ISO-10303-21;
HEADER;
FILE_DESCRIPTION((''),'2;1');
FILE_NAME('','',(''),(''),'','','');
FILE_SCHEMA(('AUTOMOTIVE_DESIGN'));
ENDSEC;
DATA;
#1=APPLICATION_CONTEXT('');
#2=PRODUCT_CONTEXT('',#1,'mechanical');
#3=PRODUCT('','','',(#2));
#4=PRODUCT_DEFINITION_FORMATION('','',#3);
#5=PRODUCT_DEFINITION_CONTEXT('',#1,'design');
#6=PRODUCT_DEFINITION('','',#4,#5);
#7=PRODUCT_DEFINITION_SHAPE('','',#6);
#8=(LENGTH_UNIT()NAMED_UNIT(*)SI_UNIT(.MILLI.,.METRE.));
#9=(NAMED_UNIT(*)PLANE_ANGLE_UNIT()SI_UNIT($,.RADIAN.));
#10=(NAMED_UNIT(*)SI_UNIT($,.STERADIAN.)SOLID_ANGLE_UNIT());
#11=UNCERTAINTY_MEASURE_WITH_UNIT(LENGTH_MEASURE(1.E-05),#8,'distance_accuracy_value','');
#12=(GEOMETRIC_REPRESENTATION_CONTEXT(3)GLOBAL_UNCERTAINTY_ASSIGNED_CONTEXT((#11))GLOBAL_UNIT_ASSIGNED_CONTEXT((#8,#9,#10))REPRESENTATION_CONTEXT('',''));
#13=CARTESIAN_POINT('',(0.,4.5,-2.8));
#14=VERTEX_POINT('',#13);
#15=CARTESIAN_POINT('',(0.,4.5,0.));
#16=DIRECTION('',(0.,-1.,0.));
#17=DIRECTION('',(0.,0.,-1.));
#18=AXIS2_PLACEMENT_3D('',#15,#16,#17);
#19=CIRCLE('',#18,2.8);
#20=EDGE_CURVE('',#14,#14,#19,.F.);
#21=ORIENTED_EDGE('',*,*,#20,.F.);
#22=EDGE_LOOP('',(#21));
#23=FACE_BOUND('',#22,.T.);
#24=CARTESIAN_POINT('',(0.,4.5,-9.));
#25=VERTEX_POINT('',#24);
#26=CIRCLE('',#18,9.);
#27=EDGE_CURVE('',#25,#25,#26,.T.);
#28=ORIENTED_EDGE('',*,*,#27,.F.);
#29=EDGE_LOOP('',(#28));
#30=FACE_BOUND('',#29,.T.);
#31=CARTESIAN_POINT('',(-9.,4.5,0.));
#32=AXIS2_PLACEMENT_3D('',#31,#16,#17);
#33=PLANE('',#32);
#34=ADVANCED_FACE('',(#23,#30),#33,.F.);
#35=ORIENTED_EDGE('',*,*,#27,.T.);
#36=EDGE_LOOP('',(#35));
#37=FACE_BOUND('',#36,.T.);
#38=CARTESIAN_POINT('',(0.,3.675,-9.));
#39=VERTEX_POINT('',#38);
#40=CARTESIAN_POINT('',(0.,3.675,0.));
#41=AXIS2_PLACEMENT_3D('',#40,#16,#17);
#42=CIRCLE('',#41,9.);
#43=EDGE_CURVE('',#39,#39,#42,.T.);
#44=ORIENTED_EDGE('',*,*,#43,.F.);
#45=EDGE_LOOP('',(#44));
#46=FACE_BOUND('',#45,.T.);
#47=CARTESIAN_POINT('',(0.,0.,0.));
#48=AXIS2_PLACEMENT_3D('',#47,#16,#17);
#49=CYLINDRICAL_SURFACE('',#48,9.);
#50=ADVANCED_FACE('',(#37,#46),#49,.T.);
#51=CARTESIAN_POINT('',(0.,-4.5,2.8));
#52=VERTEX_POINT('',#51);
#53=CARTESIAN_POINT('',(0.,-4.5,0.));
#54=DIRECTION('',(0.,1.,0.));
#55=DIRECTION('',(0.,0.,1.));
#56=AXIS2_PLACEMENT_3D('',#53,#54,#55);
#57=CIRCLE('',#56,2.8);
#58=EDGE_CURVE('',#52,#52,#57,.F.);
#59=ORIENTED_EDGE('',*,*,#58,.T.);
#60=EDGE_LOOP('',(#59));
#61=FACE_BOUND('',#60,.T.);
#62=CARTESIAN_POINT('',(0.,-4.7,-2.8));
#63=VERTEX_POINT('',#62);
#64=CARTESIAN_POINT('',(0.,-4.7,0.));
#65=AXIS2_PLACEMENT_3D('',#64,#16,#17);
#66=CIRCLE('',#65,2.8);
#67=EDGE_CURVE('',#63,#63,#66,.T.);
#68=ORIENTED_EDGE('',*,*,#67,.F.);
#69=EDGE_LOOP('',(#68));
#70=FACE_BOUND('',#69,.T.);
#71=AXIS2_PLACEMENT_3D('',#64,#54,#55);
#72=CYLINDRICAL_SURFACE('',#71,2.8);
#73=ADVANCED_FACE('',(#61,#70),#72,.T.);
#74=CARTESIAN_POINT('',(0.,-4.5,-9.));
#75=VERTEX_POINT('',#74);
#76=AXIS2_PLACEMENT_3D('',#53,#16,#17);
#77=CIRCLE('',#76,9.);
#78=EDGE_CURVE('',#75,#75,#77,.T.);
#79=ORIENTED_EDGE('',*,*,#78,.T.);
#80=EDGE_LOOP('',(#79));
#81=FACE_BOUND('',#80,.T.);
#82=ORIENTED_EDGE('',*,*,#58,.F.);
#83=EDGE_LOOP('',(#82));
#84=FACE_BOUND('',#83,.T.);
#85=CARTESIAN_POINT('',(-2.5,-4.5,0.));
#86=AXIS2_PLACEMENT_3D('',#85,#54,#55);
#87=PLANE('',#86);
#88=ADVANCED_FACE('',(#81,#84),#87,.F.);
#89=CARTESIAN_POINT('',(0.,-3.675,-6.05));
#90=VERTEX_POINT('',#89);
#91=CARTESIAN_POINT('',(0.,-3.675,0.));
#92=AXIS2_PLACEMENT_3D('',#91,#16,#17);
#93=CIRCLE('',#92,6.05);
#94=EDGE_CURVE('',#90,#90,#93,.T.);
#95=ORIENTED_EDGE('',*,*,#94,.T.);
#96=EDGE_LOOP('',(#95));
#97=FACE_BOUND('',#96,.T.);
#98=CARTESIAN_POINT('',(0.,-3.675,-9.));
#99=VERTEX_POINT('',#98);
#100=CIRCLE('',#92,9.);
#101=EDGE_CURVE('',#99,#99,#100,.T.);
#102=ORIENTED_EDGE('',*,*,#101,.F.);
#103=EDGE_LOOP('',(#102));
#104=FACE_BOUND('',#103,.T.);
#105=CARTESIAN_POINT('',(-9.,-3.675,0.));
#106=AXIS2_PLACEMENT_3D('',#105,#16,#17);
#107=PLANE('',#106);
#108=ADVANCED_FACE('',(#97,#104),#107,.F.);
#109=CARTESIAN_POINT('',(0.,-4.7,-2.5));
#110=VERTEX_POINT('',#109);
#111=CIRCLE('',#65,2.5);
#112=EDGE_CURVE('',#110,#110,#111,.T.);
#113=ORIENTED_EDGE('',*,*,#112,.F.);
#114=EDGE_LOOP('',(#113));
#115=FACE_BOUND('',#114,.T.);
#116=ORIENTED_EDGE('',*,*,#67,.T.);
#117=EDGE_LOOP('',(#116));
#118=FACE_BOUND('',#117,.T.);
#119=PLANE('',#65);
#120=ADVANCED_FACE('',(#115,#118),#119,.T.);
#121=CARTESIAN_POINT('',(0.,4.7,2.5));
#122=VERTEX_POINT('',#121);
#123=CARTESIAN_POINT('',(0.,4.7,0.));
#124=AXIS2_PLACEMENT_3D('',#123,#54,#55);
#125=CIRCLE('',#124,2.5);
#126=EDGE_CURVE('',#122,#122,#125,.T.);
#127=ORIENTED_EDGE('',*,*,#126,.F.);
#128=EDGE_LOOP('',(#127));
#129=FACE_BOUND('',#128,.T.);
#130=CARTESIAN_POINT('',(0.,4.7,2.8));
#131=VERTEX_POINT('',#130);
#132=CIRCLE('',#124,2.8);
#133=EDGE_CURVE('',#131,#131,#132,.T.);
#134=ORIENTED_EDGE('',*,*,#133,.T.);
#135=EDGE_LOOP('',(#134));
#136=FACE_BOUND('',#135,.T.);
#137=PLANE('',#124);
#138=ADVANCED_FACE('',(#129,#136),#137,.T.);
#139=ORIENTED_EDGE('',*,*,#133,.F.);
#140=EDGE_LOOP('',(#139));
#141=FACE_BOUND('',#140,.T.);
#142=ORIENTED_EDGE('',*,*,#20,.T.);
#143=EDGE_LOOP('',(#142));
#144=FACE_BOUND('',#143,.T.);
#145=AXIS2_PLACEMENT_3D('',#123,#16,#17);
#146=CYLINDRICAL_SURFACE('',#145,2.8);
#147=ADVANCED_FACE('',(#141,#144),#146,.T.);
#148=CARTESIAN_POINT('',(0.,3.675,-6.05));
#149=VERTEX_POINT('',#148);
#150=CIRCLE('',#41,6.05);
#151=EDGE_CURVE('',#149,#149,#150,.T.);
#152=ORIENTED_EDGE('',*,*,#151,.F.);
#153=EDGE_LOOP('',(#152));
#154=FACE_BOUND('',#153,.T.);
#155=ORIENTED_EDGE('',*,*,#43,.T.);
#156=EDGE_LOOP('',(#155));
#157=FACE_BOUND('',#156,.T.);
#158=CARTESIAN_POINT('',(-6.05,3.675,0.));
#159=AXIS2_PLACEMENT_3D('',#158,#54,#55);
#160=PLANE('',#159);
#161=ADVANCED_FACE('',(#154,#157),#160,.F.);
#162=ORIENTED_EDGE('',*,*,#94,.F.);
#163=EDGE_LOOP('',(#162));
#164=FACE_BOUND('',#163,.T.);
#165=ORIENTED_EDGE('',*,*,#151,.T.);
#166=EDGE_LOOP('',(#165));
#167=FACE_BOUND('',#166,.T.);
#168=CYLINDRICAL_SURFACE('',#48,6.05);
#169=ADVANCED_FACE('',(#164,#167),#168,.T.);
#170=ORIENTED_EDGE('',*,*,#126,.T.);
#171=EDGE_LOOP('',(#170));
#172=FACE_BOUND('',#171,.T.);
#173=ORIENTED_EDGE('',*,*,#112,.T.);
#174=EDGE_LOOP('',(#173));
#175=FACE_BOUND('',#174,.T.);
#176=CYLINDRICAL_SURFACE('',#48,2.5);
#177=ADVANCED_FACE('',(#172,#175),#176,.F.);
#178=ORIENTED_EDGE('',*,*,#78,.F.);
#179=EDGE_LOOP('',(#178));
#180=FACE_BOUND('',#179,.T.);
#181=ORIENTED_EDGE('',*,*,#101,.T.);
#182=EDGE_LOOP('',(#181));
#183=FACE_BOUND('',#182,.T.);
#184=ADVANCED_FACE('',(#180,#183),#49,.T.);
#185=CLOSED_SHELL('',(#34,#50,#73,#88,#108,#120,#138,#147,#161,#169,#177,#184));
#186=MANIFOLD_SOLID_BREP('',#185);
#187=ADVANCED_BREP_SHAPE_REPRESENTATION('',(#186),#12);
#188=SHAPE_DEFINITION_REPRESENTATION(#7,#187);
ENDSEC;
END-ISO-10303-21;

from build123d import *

# Parameters (mm, degrees)
ESBO_O2_R                = 2.8
ESBO_O2_R_2              = 2.5
RESSALTO_EXTRUS_O1_DEPTH = 0.2
RESSALTO_EXTRUS_O2_START = 0.2
ESBO_O4_R                = 2.8
ESBO_O4_R_2              = 2.5
RESSALTO_EXTRUS_O2_DEPTH = 0.2


with BuildPart() as part:
    # Esboço1 → Revolução1 (revolve)
    with BuildSketch(Plane.XY, mode=Mode.PRIVATE) as revolu_o1_sk:
        Polygon((-9, -4.5), (-9, -3.675), (-6.05, -3.675), (-6.05, 3.675), (-9, 3.675), (-9, 4.5), (-2.5, 4.5), (-2.5, -4.5), align=None)
    revolve(revolu_o1_sk.sketch.rotate(Axis((0, 0, 0), (0, 1, 0)), 270), axis=Axis((0, 0, 0), (0, 1, 0)))

    # Esboço2 → Ressalto-extrusão1 (add)
    with BuildSketch(Plane(origin=(0, 4.5, 0), x_dir=(1, 0, 0), z_dir=(0, 1, 0))):
        with Locations(Location((0, 0, 0), (0, 0, 90))):
            Circle(ESBO_O2_R)
        with Locations(Location((0, 0, 0), (0, 0, 90))):
            Circle(ESBO_O2_R_2, mode=Mode.SUBTRACT)
    extrude(amount=RESSALTO_EXTRUS_O1_DEPTH)

    # Esboço4 → Ressalto-extrusão2 (add)
    with BuildSketch(Plane.XZ.offset(4.5).offset(RESSALTO_EXTRUS_O2_START)):
        with Locations(Location((0, 0, 0), (0, 0, 270))):
            Circle(ESBO_O4_R)
        with Locations(Location((0, 0, 0), (0, 0, 270))):
            Circle(ESBO_O4_R_2, mode=Mode.SUBTRACT)
    extrude(amount=-RESSALTO_EXTRUS_O2_DEPTH)


solid = part.part
